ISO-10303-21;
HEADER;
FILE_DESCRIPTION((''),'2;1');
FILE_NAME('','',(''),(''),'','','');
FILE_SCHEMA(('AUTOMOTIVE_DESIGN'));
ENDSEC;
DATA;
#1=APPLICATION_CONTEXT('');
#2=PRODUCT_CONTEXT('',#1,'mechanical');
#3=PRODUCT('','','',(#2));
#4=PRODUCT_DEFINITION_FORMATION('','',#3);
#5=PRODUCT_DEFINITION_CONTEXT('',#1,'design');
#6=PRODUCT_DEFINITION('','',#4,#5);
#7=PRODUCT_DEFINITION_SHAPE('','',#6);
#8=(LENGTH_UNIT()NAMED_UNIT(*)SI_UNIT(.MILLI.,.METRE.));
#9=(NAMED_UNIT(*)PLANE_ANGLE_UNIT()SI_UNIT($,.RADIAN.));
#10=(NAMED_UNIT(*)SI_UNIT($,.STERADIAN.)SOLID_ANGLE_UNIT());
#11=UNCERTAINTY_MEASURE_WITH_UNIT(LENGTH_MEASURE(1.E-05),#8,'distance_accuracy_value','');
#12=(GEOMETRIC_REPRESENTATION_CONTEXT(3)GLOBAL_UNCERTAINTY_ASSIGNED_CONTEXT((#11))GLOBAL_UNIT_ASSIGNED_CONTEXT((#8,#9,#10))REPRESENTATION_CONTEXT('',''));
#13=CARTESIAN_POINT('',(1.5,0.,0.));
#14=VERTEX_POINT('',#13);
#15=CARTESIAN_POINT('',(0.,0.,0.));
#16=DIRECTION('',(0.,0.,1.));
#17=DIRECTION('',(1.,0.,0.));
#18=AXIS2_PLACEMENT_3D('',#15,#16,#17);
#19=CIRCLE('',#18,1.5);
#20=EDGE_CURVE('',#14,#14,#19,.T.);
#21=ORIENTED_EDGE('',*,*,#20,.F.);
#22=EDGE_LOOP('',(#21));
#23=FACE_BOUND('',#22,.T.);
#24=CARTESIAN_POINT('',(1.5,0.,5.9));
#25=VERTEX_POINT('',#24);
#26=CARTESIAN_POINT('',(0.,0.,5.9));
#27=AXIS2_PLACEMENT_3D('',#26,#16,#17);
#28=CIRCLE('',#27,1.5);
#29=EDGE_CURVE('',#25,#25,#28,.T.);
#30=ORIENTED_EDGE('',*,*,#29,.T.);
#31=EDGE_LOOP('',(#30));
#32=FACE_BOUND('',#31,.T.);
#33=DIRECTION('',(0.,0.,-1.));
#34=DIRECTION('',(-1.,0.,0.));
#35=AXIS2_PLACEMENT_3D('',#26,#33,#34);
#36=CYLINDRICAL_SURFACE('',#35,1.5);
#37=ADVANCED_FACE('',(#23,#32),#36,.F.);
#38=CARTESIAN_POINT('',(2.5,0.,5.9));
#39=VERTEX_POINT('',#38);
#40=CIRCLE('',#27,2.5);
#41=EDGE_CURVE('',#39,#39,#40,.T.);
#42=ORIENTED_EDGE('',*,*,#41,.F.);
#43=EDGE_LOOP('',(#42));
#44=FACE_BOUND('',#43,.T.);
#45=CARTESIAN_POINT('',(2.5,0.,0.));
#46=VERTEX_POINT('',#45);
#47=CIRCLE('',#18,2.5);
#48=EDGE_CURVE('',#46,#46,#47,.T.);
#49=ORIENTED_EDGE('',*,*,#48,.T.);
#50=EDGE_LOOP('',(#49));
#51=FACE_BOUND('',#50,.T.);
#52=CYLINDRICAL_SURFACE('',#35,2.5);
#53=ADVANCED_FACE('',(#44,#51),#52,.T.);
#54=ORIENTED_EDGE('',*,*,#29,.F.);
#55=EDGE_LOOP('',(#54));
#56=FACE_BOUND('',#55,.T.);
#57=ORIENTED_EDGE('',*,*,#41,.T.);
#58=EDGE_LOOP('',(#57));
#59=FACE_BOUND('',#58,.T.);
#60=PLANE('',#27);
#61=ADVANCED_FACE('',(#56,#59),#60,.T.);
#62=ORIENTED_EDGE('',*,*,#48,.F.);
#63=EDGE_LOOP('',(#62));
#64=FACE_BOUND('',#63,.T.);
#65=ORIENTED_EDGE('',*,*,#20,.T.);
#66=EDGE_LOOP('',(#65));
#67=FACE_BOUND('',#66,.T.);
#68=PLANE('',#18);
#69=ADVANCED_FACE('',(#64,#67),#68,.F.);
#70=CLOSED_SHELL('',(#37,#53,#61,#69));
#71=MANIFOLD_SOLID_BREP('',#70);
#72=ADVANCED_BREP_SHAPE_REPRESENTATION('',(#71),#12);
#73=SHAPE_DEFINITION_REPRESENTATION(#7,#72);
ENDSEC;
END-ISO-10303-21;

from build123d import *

# Parameters (mm, degrees)
SKETCH2_R           = 2.5
SKETCH2_R_2         = 1.5
BOSS_EXTRUDE1_DEPTH = 5.9


with BuildPart() as part:
    # Sketch2 → Boss-Extrude1 (new body)
    with BuildSketch(Plane.XY):
        Circle(SKETCH2_R)
        Circle(SKETCH2_R_2, mode=Mode.SUBTRACT)
    extrude(amount=BOSS_EXTRUDE1_DEPTH)


solid = part.part
